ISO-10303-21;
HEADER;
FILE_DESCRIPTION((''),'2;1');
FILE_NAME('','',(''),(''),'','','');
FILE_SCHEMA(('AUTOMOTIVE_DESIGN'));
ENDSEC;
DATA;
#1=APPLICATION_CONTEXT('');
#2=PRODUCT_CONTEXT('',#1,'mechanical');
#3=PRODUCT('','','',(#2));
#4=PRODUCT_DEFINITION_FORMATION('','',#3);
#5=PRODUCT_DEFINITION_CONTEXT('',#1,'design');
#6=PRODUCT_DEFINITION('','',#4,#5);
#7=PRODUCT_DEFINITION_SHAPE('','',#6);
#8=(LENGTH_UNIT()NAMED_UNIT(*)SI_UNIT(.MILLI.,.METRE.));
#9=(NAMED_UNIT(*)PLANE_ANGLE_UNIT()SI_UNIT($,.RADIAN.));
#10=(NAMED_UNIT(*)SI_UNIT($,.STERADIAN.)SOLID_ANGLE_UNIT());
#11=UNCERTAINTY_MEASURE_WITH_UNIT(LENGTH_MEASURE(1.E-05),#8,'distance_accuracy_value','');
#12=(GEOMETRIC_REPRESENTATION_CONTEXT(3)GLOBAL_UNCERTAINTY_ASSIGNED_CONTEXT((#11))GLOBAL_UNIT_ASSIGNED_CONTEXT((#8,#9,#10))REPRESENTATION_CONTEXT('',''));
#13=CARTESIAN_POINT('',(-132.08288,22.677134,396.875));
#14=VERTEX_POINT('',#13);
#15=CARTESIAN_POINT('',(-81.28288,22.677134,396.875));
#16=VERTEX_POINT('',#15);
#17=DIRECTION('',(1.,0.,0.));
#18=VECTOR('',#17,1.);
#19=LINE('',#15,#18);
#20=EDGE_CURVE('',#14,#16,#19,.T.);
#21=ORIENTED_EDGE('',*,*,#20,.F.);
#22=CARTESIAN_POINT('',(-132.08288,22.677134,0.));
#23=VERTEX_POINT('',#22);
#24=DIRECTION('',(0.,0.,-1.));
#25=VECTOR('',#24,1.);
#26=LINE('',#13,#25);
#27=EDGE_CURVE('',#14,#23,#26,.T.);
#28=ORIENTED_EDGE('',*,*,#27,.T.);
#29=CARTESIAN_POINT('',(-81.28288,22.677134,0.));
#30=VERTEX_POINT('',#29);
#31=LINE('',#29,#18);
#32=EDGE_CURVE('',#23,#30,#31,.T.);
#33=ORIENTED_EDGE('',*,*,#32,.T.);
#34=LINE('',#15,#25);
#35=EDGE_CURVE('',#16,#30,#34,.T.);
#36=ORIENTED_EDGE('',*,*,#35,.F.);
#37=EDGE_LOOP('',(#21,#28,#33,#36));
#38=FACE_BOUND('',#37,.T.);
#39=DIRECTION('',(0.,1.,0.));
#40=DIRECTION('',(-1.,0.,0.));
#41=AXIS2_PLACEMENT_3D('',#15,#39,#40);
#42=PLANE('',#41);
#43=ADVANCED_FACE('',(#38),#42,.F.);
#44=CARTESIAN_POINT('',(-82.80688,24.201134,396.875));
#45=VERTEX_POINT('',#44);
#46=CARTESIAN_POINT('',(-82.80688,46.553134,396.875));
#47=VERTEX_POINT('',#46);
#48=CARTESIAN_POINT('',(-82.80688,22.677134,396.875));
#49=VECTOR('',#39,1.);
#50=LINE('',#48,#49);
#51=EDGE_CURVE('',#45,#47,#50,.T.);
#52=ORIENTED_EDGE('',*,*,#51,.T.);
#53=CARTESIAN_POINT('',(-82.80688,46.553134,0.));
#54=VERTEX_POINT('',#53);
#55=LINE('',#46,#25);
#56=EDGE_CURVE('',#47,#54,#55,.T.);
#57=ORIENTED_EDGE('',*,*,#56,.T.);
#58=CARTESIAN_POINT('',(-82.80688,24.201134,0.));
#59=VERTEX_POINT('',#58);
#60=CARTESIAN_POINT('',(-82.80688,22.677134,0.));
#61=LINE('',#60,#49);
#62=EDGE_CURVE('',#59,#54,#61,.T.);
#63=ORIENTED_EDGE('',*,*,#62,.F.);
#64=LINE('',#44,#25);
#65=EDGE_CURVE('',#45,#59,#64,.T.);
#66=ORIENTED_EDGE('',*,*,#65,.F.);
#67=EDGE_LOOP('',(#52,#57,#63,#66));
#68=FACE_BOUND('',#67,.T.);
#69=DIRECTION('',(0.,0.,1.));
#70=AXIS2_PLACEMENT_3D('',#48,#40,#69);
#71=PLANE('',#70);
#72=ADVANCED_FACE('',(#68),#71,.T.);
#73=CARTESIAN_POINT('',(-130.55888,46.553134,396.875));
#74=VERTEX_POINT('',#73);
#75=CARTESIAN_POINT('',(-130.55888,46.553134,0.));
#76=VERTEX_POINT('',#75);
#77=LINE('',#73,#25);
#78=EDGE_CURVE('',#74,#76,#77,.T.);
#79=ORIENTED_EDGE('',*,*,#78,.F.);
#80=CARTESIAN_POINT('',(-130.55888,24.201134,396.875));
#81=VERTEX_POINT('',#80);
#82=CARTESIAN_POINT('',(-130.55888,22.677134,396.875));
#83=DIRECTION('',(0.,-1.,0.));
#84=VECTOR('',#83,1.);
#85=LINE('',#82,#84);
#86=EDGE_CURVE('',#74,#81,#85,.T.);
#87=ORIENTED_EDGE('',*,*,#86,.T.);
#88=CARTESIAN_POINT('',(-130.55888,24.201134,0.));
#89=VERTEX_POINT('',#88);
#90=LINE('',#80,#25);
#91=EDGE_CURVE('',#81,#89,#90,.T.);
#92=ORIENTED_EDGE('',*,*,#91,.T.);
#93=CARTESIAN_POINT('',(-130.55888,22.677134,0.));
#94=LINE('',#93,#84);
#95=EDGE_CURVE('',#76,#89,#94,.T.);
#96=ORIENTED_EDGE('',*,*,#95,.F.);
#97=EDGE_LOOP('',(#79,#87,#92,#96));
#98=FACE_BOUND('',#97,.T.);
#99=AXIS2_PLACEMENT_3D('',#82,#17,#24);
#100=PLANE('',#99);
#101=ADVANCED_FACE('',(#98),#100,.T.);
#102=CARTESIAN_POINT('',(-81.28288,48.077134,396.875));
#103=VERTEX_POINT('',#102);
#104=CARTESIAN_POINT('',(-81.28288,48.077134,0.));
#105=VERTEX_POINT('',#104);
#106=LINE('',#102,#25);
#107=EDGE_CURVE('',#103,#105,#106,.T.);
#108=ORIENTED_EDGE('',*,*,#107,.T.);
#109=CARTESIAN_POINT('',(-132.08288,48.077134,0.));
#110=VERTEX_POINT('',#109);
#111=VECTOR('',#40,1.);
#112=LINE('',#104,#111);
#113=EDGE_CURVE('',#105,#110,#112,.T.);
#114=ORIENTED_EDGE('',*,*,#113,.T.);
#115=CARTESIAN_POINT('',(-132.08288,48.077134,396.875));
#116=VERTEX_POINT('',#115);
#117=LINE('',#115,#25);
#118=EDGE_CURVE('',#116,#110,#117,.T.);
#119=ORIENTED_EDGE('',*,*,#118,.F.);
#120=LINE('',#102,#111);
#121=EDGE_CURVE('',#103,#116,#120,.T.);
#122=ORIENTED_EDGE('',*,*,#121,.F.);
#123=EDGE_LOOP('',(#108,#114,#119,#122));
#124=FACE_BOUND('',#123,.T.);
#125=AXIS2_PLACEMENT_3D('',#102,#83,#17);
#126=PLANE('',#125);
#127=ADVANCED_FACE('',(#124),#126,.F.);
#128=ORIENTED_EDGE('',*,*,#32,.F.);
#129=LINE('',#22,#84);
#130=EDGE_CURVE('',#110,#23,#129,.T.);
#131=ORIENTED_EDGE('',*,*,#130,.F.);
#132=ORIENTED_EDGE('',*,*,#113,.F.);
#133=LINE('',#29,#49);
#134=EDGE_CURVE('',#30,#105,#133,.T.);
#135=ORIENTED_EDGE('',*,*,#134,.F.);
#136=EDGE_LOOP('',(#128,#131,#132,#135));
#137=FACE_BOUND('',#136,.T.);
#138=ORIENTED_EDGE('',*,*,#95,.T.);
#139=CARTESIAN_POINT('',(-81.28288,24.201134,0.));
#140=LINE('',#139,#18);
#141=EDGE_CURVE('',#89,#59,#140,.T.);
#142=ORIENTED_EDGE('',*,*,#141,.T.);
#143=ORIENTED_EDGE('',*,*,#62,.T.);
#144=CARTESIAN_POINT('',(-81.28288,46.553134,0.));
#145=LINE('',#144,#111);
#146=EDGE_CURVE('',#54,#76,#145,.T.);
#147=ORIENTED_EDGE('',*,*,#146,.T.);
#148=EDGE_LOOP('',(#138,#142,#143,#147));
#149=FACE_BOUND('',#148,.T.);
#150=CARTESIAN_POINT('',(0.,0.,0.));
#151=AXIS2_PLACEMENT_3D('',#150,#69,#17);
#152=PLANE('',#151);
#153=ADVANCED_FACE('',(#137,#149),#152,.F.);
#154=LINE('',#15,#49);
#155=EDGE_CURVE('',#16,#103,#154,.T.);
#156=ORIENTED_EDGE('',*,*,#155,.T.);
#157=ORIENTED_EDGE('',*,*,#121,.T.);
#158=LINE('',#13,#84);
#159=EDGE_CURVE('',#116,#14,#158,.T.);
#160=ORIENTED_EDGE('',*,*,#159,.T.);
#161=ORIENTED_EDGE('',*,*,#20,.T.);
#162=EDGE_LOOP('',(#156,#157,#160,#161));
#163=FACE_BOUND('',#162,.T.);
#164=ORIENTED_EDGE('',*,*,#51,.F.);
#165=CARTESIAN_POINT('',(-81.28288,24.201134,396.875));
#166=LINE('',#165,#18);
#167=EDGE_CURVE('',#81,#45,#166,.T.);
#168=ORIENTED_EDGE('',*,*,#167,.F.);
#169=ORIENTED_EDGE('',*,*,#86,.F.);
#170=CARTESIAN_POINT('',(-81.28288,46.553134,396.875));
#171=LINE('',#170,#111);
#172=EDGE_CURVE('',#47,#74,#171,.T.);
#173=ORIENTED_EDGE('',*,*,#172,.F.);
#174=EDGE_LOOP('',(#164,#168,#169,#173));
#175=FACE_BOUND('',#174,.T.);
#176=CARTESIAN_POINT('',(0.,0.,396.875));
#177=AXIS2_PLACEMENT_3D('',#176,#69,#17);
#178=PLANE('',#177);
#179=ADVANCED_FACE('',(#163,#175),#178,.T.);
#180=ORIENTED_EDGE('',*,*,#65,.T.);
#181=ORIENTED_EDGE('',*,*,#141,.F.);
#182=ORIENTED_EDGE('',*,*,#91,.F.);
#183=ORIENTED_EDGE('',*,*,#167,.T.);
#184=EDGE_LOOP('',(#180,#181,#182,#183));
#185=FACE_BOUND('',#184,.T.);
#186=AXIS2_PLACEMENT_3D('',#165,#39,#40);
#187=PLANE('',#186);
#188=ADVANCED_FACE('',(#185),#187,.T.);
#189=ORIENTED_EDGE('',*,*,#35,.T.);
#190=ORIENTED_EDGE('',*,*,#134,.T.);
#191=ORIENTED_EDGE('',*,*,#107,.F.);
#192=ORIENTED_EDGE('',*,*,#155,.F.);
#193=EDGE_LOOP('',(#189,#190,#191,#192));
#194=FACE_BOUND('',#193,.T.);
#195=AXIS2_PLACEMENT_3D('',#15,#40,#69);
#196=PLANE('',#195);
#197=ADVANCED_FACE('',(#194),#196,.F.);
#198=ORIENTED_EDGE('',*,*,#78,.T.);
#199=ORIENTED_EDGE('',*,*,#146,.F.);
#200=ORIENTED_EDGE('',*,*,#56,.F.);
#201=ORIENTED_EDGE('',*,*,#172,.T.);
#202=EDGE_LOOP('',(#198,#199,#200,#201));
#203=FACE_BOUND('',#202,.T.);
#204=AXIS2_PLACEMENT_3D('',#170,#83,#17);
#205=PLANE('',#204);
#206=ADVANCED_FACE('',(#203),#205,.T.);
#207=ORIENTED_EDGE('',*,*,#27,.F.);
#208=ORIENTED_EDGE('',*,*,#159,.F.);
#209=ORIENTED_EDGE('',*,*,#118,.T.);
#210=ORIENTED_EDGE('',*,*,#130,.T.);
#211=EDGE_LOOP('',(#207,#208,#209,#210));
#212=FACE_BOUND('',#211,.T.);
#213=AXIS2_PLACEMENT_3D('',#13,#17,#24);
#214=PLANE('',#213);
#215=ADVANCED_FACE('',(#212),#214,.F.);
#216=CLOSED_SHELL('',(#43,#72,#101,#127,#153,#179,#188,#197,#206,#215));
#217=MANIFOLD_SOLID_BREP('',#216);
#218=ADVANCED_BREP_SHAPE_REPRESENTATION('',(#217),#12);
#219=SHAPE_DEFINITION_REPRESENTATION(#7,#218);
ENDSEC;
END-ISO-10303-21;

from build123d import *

# Parameters (mm, degrees)
SKETCH1_W           = 50.8
SKETCH1_H           = 25.4
SKETCH1_W_2         = 47.752
SKETCH1_H_2         = 22.352
EXTRUDE_THIN1_DEPTH = 396.875


with BuildPart() as part:
    # Sketch1 → Extrude-Thin1 (new body)
    with BuildSketch(Plane.XY):
        with Locations((-106.682879913, 35.377134372)):
            Rectangle(SKETCH1_W, SKETCH1_H)
        with Locations((-106.682879913, 35.377134372)):
            Rectangle(SKETCH1_W_2, SKETCH1_H_2, mode=Mode.SUBTRACT)
    extrude(amount=EXTRUDE_THIN1_DEPTH)


solid = part.part
